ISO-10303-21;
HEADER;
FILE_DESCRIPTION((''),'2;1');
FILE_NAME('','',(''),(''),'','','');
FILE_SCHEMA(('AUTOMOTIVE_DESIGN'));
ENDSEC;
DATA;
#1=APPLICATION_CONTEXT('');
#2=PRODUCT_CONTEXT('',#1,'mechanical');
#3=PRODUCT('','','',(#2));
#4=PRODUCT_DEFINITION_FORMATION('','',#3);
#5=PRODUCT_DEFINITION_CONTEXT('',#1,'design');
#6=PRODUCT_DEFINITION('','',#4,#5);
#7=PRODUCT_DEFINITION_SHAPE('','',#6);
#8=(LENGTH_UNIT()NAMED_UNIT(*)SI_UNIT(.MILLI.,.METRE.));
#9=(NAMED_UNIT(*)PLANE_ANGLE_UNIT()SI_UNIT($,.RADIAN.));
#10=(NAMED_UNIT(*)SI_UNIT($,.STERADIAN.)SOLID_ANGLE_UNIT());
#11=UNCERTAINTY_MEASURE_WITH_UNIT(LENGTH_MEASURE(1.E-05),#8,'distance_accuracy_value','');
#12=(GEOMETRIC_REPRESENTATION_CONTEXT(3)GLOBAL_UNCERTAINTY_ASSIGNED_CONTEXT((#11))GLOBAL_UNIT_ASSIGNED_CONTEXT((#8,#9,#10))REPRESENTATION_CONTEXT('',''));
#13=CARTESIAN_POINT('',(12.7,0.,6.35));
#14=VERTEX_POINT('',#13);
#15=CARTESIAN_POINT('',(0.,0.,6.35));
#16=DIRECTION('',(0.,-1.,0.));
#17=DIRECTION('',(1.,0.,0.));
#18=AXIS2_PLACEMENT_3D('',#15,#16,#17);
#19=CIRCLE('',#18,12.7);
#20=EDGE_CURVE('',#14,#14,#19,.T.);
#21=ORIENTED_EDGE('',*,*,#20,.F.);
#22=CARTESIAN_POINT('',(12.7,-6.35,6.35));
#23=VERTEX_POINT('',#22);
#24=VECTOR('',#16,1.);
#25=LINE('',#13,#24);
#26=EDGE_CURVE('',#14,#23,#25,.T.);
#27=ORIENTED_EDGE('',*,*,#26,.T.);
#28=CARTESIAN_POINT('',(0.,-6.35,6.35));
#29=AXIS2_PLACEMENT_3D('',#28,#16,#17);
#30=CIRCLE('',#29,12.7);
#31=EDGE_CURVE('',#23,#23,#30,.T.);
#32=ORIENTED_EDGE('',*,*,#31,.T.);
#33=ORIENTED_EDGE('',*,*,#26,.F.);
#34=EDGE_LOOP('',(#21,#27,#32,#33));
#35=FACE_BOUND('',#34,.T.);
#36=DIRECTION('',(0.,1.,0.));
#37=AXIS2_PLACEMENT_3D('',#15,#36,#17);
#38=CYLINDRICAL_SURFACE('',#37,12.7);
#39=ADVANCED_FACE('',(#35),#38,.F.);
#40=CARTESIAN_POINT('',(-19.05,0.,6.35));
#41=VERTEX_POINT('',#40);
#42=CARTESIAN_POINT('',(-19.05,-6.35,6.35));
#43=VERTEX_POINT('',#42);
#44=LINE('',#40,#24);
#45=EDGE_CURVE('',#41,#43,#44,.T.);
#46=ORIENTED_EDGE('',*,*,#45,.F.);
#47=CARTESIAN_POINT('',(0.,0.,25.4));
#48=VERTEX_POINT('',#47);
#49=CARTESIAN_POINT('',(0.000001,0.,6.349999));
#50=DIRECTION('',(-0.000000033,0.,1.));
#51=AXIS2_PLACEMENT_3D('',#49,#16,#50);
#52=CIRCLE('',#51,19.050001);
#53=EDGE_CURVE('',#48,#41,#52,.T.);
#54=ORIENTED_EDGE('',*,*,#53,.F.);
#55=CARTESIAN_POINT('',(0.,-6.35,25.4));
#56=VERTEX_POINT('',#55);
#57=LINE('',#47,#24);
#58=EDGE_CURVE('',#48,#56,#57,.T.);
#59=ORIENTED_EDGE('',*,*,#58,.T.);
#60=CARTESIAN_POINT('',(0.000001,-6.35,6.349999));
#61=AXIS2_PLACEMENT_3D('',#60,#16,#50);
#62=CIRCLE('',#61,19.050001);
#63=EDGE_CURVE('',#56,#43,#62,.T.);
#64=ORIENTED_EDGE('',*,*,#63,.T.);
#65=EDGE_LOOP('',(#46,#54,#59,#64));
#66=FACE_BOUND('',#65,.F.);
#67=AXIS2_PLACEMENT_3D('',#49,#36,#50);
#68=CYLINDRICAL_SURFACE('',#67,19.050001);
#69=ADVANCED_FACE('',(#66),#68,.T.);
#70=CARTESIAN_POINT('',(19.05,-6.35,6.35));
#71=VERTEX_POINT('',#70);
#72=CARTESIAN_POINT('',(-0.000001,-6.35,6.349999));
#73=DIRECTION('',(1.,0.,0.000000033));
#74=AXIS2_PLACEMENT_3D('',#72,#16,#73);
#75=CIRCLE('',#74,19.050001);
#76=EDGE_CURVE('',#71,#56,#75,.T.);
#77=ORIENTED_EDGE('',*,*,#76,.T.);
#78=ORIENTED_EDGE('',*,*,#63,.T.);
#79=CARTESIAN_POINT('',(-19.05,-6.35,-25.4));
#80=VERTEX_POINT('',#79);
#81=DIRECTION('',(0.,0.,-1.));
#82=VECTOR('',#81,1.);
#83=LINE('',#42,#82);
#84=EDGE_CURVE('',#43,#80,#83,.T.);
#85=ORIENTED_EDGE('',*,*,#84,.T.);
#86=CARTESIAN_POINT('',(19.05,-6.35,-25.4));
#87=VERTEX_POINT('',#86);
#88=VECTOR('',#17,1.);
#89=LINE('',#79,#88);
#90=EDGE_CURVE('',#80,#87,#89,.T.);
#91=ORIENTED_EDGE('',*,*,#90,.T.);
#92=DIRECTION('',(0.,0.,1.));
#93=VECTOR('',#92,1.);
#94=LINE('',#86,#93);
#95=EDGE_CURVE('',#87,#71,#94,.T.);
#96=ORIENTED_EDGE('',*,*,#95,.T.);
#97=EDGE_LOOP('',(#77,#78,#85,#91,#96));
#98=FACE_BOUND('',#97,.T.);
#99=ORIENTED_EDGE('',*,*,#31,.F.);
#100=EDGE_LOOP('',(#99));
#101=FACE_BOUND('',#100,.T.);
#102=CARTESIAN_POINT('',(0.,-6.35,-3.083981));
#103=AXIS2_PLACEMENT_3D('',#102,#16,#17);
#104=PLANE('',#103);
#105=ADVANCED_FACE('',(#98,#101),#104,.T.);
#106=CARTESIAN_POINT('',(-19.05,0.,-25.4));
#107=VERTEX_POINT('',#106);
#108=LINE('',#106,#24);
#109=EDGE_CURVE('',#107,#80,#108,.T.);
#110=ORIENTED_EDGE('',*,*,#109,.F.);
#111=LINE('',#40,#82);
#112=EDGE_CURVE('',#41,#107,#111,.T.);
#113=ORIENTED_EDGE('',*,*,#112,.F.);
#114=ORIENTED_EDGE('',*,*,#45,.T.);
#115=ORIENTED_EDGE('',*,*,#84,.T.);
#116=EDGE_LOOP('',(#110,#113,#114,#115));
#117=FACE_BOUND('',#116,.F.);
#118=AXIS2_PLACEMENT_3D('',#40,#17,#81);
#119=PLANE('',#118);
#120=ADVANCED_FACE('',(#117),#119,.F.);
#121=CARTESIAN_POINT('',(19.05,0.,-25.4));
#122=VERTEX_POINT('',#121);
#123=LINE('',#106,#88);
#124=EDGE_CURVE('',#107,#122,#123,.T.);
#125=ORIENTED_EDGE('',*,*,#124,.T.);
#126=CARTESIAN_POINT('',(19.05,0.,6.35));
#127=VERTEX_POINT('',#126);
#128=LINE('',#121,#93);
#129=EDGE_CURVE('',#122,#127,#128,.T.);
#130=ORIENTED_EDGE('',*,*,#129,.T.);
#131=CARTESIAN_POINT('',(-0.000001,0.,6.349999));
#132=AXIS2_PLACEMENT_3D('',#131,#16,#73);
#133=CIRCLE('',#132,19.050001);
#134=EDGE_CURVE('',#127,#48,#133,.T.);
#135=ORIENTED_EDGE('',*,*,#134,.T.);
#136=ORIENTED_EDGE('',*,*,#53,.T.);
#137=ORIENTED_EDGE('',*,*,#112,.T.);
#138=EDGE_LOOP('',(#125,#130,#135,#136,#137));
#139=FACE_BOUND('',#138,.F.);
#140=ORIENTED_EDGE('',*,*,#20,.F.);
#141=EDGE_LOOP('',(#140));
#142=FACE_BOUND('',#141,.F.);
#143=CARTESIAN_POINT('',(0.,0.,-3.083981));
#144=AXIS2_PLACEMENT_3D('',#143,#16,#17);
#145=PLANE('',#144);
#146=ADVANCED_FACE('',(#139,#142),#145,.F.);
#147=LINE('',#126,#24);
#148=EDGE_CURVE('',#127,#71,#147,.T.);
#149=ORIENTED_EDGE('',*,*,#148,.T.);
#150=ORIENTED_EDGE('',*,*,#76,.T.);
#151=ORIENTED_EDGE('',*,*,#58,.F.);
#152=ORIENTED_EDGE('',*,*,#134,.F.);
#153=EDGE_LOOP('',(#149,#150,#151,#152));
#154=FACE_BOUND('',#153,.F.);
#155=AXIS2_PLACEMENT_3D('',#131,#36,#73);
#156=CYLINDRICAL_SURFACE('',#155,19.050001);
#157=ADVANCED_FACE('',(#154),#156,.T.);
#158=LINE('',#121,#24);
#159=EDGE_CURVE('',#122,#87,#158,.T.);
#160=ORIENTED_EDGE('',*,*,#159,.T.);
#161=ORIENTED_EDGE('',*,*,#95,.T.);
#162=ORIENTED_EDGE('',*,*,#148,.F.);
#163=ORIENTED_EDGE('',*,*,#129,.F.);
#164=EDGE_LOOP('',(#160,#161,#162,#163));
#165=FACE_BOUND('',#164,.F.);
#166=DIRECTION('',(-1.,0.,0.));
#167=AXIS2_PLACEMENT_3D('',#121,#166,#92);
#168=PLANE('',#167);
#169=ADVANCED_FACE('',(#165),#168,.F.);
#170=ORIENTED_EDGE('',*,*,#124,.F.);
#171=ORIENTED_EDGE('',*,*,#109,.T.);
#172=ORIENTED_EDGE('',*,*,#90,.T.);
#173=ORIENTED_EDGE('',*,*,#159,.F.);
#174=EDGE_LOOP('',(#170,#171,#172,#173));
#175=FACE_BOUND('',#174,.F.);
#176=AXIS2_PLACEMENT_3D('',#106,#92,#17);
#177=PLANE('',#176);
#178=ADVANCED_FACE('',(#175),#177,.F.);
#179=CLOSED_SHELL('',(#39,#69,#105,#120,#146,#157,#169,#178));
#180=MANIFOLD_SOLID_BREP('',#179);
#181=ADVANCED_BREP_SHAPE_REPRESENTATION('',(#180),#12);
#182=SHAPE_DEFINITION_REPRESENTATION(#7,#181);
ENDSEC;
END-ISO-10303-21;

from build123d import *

# Parameters (mm, degrees)
F0_R     = 12.7
F1_DEPTH = 6.35


with BuildPart() as f1:
    # F0 (on Front) → F1 (new body)
    with BuildSketch(Plane.XZ):
        with BuildLine():
            Line((-19.05, -25.4), (19.05, -25.4))
            Line((19.05, -25.4), (19.05, 6.35))
            ThreePointArc((19.05, 6.35), (13.470384, 19.820384), (0, 25.4))
            ThreePointArc((0, 25.4), (-13.470384, 19.820384), (-19.05, 6.35))
            Line((-19.05, 6.35), (-19.05, -25.4))
        make_face()
        with Locations((0, 6.35)):
            Circle(F0_R, mode=Mode.SUBTRACT)
    extrude(amount=F1_DEPTH)


solid = f1.part
